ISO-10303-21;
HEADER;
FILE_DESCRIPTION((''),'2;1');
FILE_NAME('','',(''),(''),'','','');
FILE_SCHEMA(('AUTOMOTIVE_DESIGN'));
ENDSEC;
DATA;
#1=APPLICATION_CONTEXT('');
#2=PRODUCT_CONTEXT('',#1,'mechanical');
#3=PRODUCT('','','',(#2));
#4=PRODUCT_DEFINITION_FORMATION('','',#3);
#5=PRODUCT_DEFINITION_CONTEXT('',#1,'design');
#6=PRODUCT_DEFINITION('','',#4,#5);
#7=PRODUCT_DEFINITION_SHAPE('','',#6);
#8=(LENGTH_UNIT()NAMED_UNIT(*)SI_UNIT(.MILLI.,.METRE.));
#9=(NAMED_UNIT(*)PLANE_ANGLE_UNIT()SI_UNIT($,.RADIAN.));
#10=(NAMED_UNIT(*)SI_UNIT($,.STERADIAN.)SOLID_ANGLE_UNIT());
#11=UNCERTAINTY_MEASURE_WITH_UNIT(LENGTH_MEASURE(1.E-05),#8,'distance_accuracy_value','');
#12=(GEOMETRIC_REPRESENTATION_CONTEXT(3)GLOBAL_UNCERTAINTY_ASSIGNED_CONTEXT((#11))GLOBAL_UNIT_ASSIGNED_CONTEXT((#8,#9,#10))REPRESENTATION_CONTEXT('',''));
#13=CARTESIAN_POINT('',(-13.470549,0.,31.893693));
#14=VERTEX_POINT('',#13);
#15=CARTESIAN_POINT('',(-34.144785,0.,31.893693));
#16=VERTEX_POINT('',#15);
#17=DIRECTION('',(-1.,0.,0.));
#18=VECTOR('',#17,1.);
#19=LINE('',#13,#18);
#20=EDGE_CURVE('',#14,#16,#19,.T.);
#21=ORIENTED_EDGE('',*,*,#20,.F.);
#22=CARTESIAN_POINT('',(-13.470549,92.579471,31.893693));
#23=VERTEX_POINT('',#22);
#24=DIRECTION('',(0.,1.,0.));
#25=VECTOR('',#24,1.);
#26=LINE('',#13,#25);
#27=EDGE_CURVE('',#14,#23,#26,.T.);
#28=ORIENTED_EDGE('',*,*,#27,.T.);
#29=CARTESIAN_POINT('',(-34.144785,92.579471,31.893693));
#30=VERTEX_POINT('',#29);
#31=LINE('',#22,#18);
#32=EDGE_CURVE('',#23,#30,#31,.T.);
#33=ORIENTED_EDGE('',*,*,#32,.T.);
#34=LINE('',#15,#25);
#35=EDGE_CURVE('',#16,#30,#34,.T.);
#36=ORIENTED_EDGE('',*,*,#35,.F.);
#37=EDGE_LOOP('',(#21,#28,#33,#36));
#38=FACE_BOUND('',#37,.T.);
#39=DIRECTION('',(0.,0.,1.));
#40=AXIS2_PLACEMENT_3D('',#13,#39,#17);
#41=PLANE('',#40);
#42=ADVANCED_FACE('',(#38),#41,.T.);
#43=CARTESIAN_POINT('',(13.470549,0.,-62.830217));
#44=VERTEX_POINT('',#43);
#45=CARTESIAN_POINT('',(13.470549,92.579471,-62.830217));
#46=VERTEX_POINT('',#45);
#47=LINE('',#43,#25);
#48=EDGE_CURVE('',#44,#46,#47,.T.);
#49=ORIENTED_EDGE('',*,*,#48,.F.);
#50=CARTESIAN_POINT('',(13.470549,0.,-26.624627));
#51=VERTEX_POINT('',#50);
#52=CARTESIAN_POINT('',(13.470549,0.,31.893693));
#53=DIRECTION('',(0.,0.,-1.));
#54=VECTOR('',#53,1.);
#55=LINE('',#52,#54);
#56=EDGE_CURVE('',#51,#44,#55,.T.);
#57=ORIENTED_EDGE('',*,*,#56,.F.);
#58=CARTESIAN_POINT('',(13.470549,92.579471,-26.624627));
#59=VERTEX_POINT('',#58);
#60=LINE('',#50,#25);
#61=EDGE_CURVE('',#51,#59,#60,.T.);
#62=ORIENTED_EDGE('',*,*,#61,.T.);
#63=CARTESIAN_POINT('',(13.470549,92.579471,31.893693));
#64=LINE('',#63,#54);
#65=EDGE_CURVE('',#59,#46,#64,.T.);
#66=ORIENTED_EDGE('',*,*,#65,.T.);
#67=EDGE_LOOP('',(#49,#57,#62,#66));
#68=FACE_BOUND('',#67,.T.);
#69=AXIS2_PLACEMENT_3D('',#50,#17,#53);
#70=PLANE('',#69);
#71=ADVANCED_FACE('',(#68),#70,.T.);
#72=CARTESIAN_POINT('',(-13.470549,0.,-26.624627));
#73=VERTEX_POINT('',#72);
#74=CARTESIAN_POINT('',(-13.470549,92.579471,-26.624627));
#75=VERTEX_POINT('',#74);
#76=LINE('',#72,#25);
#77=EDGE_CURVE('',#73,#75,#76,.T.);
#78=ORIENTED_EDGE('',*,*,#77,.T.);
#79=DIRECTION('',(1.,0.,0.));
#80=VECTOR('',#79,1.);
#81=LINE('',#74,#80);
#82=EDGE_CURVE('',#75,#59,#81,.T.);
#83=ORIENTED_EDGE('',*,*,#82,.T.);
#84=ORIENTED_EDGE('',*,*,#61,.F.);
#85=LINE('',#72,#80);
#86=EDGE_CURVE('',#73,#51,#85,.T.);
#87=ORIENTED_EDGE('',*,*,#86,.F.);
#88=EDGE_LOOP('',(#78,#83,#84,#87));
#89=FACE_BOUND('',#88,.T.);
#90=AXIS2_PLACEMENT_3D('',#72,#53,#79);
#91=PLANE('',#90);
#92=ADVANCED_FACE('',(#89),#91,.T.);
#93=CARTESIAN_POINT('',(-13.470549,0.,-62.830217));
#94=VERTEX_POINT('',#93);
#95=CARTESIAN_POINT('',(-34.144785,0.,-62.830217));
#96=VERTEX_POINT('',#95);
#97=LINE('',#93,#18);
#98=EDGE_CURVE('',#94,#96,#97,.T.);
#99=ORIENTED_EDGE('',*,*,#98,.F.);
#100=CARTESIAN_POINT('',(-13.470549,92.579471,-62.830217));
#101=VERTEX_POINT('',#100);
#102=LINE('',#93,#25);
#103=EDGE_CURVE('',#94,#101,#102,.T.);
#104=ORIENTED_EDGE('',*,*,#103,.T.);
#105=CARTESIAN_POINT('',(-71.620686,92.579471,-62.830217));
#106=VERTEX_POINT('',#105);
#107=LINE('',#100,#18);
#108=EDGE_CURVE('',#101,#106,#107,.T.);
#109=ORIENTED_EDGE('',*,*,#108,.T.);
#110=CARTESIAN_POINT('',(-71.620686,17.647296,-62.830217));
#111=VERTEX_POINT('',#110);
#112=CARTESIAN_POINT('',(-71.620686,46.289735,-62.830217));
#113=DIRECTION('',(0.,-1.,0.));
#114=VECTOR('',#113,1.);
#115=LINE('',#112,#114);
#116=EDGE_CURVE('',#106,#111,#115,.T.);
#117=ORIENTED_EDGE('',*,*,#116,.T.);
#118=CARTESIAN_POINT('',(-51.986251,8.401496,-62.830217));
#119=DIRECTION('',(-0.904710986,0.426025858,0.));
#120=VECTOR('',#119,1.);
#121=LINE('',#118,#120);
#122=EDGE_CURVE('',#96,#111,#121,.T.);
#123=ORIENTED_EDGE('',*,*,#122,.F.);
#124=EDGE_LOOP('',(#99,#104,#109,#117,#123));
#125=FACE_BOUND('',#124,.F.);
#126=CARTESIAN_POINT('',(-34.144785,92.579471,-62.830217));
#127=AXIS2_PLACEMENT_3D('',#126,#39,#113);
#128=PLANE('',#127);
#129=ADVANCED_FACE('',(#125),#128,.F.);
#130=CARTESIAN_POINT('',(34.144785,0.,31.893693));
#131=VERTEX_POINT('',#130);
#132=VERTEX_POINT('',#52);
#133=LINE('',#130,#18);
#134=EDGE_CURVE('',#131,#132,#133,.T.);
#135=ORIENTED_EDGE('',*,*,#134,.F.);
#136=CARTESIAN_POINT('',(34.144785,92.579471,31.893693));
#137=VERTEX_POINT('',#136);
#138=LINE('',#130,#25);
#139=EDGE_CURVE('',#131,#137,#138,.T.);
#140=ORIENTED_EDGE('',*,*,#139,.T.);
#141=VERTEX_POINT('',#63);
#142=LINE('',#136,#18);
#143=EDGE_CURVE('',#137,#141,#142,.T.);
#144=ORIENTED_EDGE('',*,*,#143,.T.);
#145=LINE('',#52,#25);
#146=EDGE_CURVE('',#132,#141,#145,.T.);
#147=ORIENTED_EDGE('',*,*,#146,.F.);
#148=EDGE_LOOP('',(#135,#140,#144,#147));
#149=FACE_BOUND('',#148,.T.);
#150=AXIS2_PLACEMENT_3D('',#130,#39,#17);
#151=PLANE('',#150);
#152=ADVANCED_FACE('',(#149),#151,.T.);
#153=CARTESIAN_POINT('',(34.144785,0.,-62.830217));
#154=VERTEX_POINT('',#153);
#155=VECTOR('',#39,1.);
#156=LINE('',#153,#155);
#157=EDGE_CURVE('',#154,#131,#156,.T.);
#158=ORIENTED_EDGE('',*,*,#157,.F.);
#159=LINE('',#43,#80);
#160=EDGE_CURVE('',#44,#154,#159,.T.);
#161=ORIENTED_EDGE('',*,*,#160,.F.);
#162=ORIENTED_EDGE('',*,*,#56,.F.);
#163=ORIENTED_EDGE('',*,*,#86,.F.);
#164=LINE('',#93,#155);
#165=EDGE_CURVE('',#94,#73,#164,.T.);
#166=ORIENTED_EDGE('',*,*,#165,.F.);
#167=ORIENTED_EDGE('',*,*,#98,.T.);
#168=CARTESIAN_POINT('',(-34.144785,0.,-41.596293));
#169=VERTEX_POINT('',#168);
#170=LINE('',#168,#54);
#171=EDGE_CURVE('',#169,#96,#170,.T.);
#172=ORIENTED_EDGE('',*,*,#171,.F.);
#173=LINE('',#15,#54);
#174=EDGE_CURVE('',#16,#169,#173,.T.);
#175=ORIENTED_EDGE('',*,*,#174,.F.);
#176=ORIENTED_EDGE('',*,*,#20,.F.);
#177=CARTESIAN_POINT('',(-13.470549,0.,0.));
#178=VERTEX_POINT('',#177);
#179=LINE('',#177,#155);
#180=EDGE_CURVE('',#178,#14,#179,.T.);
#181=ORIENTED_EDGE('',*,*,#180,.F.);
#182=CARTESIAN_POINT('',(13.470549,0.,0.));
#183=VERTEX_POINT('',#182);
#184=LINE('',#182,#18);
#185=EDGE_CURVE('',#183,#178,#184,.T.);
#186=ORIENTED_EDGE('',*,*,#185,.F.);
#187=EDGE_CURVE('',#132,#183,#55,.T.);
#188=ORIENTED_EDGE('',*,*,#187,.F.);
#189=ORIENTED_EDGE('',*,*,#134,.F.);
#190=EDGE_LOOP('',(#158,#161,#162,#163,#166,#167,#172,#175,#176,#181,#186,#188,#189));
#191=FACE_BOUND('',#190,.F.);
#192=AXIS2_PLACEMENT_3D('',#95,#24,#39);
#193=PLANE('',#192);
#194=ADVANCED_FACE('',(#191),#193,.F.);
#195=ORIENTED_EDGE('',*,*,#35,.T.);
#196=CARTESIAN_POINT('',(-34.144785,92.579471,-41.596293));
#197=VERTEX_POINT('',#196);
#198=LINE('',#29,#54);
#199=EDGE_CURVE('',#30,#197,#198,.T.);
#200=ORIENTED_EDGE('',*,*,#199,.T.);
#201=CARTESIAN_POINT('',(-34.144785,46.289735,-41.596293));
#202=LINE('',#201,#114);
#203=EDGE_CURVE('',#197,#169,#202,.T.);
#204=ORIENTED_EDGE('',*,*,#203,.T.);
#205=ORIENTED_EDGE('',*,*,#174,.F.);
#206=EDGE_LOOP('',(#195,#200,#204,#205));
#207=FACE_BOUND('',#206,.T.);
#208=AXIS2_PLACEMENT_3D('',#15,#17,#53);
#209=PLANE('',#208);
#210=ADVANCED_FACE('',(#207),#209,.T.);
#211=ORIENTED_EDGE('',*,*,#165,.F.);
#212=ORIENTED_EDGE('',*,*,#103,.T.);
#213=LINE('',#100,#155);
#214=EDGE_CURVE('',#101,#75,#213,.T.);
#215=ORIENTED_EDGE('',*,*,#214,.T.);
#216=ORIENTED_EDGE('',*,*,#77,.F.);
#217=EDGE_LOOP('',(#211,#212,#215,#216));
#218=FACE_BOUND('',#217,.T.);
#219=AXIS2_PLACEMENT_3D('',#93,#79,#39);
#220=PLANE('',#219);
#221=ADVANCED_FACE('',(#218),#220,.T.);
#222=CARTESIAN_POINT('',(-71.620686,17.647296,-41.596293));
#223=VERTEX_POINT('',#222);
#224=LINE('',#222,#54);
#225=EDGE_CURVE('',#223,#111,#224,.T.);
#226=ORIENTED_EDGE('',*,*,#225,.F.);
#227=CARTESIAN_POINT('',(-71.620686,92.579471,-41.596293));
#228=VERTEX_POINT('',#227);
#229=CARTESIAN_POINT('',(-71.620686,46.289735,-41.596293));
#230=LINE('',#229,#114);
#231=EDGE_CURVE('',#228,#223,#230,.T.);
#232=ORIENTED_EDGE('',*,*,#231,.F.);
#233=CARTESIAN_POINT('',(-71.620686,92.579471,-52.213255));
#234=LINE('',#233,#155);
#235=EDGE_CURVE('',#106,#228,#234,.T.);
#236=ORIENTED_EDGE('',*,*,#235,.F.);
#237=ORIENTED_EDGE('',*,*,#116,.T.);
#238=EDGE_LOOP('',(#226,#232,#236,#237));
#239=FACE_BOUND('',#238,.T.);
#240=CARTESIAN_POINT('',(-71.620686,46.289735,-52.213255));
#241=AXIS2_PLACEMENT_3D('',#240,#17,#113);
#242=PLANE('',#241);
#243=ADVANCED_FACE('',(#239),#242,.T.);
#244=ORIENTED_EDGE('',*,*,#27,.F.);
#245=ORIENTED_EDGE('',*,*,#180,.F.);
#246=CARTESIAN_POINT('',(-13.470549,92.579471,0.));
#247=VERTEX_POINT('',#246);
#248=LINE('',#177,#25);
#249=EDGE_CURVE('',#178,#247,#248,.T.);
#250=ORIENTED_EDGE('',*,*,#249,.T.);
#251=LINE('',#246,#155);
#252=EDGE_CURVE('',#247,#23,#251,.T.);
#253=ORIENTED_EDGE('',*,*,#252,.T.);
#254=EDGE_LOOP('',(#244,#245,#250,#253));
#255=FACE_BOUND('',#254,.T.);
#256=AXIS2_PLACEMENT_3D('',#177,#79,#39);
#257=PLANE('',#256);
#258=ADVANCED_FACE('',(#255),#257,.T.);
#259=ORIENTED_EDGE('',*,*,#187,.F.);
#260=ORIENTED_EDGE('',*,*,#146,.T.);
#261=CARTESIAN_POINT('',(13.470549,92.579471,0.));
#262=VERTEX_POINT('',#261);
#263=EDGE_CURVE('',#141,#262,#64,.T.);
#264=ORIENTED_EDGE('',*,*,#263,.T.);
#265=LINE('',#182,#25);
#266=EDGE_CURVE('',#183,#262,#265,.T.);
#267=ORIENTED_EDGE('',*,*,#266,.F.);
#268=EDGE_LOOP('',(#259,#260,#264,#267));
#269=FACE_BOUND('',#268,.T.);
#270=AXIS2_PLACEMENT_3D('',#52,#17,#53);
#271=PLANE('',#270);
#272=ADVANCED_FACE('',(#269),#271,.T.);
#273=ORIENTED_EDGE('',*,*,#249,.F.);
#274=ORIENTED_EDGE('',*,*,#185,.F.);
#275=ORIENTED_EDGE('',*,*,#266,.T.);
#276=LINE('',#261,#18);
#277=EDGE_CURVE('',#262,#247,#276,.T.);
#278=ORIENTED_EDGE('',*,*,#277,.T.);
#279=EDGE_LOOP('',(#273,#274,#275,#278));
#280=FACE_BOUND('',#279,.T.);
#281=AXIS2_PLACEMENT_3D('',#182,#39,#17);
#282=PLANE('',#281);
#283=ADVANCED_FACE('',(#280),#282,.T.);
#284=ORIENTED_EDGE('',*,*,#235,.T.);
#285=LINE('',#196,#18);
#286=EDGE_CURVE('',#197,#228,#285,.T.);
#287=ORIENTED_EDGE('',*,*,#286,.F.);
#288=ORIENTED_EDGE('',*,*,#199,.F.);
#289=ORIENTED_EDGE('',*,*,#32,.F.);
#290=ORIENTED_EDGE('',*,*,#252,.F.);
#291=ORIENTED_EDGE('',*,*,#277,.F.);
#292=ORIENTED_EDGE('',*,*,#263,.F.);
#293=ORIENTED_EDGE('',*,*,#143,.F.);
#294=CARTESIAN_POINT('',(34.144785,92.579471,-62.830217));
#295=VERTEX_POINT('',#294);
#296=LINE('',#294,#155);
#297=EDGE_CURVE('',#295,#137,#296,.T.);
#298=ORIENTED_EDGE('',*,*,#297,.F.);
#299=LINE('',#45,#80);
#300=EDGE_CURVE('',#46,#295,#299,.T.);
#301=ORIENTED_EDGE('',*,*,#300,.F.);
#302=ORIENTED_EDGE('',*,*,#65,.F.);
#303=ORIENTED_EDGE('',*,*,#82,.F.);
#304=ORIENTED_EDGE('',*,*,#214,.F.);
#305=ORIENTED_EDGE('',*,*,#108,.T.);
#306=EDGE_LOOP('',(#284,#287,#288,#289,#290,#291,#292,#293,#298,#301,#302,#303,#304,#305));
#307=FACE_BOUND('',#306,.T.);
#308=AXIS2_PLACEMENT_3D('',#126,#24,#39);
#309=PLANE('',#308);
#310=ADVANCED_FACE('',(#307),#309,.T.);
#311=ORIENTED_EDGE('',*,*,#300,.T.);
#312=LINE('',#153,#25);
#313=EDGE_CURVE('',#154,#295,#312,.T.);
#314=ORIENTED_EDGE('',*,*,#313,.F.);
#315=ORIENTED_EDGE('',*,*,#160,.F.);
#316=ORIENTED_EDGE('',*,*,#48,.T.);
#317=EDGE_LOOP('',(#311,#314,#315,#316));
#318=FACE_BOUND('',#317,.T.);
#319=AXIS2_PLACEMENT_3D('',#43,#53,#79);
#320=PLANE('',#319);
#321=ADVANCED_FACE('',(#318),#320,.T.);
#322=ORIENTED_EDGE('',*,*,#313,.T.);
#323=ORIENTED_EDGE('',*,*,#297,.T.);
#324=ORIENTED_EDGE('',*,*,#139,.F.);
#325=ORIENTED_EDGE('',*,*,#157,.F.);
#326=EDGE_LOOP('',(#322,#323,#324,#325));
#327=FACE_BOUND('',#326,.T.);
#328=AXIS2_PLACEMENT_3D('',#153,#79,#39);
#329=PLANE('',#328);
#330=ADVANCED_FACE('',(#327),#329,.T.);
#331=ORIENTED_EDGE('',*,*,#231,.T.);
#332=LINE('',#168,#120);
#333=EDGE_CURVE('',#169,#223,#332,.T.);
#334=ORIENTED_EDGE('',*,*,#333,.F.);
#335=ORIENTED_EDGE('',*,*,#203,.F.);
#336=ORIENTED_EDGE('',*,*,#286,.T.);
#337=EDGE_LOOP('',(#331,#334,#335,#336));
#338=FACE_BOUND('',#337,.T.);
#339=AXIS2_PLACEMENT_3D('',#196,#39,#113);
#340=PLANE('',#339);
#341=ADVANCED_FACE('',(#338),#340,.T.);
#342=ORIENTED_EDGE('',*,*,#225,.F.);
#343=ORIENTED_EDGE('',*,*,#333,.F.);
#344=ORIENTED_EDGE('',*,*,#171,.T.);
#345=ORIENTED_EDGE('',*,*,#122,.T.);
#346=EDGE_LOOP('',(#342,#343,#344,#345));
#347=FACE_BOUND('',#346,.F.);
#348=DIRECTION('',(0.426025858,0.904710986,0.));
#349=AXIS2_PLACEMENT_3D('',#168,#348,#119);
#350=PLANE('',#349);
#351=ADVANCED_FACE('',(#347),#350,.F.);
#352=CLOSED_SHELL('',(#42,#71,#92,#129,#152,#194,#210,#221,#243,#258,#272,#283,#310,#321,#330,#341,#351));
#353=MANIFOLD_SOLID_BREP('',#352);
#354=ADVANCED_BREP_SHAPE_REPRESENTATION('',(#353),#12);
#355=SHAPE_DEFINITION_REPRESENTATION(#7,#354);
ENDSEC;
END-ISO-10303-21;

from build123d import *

# Parameters (mm, degrees)
F1_W     = 13.4705491364
F1_H     = 26.6246274114
F2_DEPTH = 92.5794709474
F3_W     = 92.5794709474
F3_H     = 21.2339237332
F4_DEPTH = 37.4759007245
F6_DEPTH = 116.4518650621


with BuildPart() as f2:
    # F1 (on face) → F2 (new body)
    with BuildSketch(Plane.XZ):
        Polygon((13.4705491364, 31.8936929107), (13.4705491364, 0), (13.4705491364, -26.6246274114), (13.4705491364, -62.8302171826), (34.1447852552, -62.8302171826), (34.1447852552, 31.8936929107), align=None)
        with Locations((6.7352745682, -13.3123137057)):
            Rectangle(F1_W, F1_H)
        with Locations((-6.7352745682, -13.3123137057)):
            Rectangle(F1_W, F1_H)
        Polygon((-13.4705491364, 0), (-13.4705491364, 31.8936929107), (-34.1447852552, 31.8936929107), (-34.1447852552, -62.8302171826), (-13.4705491364, -62.8302171826), (-13.4705491364, -26.6246274114), align=None)
    extrude(amount=-F2_DEPTH)

    # F3 (on face) → F4 (join)
    with BuildSketch(Plane(origin=(-34.1447852552, 0, 0), x_dir=(0, -1, 0), z_dir=(-1, 0, 0))):
        with Locations((-46.2897354737, -52.213255316)):
            Rectangle(F3_W, F3_H)
    extrude(amount=F4_DEPTH)

    # F5 (on face) → F6 (cut)
    with BuildSketch(Plane.XY.offset(-41.5962934494)):
        Polygon((-71.6206859797, 0), (-34.1447852552, 0), (-71.6206859797, 17.6472961903), align=None)
    extrude(amount=-F6_DEPTH, mode=Mode.SUBTRACT)


solid = f2.part
